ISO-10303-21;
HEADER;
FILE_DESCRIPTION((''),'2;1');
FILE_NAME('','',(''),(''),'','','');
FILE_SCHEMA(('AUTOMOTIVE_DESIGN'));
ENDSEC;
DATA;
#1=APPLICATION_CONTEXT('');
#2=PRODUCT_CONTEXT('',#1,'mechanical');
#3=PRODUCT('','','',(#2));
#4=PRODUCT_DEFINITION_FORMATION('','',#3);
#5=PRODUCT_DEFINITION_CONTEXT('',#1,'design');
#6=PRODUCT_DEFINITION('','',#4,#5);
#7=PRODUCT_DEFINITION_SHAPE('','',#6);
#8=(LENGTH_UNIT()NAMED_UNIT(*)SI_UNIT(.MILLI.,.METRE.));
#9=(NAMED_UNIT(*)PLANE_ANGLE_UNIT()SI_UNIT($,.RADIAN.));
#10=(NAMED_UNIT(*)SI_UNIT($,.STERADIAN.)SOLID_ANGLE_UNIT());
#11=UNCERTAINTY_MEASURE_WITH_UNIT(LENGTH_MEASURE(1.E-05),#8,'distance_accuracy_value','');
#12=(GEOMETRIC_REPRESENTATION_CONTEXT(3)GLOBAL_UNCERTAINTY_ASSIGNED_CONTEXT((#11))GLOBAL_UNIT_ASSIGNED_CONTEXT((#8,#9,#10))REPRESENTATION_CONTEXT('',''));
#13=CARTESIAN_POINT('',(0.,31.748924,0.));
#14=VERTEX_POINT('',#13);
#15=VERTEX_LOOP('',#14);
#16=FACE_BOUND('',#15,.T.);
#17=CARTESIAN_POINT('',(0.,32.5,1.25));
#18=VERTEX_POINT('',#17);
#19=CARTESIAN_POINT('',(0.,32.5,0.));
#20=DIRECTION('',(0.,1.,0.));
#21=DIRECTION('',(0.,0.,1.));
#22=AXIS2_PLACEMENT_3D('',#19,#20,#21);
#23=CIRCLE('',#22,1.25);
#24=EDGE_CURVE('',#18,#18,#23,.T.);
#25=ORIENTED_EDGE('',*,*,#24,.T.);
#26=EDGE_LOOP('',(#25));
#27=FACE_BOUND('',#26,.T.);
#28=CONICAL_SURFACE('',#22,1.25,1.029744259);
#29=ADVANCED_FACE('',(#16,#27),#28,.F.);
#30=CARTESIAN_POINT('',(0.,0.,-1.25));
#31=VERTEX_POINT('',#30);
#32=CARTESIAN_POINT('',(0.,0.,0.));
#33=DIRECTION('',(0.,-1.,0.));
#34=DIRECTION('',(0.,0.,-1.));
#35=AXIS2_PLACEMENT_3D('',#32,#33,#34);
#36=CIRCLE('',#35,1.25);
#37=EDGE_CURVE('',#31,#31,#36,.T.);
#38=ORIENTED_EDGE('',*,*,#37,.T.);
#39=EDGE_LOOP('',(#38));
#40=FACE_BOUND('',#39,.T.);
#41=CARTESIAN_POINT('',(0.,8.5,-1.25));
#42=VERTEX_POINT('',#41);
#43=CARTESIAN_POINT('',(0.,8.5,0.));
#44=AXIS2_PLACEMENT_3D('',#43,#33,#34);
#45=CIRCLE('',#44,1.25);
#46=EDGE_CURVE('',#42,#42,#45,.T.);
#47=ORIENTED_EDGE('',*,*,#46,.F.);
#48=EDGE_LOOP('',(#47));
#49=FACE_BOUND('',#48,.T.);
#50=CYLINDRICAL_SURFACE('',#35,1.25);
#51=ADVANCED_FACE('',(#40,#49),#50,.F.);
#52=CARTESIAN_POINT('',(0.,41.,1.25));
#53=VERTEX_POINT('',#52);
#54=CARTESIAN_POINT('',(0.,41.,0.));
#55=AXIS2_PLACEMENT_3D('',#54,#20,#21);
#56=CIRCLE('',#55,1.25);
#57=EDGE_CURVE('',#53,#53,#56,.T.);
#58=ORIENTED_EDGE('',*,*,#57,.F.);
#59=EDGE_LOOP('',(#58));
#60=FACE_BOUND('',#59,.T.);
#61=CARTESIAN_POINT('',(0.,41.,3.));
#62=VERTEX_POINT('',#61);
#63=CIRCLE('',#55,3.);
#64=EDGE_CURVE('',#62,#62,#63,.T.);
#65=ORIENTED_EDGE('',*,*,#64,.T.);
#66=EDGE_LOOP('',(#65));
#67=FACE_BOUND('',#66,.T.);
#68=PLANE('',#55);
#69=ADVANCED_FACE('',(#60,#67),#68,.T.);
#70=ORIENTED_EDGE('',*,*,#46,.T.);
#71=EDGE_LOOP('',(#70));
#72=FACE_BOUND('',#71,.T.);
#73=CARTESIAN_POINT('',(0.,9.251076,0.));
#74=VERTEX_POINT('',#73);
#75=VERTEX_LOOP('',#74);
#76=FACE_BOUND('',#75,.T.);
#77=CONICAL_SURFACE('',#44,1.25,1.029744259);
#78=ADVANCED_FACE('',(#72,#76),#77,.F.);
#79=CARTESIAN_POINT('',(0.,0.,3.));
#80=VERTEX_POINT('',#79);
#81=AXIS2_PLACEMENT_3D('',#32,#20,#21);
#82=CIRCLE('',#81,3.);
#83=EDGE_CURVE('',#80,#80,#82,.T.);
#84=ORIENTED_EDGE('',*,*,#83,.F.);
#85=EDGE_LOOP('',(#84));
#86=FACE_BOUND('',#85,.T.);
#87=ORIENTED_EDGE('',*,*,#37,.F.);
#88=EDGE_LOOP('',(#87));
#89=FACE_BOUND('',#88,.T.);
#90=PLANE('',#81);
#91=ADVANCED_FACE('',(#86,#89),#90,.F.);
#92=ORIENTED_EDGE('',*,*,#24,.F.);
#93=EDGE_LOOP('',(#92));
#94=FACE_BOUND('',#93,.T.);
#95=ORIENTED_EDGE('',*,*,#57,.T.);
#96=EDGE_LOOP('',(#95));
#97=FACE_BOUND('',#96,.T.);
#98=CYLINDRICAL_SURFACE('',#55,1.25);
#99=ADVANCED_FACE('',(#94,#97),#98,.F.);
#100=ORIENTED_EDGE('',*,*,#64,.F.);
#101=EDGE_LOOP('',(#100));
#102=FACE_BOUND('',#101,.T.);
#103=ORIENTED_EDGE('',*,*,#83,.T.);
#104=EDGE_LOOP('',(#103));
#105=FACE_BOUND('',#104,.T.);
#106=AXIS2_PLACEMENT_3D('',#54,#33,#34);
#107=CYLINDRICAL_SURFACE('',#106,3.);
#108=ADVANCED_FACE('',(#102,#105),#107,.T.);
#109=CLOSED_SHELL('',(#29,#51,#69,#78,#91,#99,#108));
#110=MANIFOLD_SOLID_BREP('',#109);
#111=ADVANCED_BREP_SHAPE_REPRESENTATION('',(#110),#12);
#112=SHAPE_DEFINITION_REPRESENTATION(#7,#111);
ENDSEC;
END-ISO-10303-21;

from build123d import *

# Parameters (mm, degrees)
SKETCH_1_R             = 3
EXTRUDE_1_DEPTH        = 41
HOLE_WIZARD_M3_1_D     = 2.5
HOLE_WIZARD_M3_1_DEPTH = 8.5
HOLE_WIZARD_M3_1_TIP   = 0.751075774
HOLE_WIZARD_M3_2_D     = 2.5
HOLE_WIZARD_M3_2_DEPTH = 8.5
HOLE_WIZARD_M3_2_TIP   = 0.751075774


with BuildPart() as part:
    # 草图1 → 凸台-拉伸1 (new body)
    with BuildSketch(Plane(origin=(0, 0, 0), x_dir=(1, 0, 0), z_dir=(0, 1, 0))):
        Circle(SKETCH_1_R)
    extrude(amount=EXTRUDE_1_DEPTH)

    # M3 螺纹孔1
    with Locations(Plane.ZX.offset(41)):
        with Locations((0, 0)):
            Hole(HOLE_WIZARD_M3_1_D / 2, depth=HOLE_WIZARD_M3_1_DEPTH)
            with Locations((0, 0, -(HOLE_WIZARD_M3_1_DEPTH + HOLE_WIZARD_M3_1_TIP / 2))):  # 118° drill point
                Cone(0, HOLE_WIZARD_M3_1_D / 2, HOLE_WIZARD_M3_1_TIP, mode=Mode.SUBTRACT)

    # M3 螺纹孔2
    with Locations(Plane(origin=(0, 0, 0), x_dir=(0, 0, -1), z_dir=(0, -1, 0))):
        with Locations((0, 0)):
            Hole(HOLE_WIZARD_M3_2_D / 2, depth=HOLE_WIZARD_M3_2_DEPTH)
            with Locations((0, 0, -(HOLE_WIZARD_M3_2_DEPTH + HOLE_WIZARD_M3_2_TIP / 2))):  # 118° drill point
                Cone(0, HOLE_WIZARD_M3_2_D / 2, HOLE_WIZARD_M3_2_TIP, mode=Mode.SUBTRACT)


solid = part.part
